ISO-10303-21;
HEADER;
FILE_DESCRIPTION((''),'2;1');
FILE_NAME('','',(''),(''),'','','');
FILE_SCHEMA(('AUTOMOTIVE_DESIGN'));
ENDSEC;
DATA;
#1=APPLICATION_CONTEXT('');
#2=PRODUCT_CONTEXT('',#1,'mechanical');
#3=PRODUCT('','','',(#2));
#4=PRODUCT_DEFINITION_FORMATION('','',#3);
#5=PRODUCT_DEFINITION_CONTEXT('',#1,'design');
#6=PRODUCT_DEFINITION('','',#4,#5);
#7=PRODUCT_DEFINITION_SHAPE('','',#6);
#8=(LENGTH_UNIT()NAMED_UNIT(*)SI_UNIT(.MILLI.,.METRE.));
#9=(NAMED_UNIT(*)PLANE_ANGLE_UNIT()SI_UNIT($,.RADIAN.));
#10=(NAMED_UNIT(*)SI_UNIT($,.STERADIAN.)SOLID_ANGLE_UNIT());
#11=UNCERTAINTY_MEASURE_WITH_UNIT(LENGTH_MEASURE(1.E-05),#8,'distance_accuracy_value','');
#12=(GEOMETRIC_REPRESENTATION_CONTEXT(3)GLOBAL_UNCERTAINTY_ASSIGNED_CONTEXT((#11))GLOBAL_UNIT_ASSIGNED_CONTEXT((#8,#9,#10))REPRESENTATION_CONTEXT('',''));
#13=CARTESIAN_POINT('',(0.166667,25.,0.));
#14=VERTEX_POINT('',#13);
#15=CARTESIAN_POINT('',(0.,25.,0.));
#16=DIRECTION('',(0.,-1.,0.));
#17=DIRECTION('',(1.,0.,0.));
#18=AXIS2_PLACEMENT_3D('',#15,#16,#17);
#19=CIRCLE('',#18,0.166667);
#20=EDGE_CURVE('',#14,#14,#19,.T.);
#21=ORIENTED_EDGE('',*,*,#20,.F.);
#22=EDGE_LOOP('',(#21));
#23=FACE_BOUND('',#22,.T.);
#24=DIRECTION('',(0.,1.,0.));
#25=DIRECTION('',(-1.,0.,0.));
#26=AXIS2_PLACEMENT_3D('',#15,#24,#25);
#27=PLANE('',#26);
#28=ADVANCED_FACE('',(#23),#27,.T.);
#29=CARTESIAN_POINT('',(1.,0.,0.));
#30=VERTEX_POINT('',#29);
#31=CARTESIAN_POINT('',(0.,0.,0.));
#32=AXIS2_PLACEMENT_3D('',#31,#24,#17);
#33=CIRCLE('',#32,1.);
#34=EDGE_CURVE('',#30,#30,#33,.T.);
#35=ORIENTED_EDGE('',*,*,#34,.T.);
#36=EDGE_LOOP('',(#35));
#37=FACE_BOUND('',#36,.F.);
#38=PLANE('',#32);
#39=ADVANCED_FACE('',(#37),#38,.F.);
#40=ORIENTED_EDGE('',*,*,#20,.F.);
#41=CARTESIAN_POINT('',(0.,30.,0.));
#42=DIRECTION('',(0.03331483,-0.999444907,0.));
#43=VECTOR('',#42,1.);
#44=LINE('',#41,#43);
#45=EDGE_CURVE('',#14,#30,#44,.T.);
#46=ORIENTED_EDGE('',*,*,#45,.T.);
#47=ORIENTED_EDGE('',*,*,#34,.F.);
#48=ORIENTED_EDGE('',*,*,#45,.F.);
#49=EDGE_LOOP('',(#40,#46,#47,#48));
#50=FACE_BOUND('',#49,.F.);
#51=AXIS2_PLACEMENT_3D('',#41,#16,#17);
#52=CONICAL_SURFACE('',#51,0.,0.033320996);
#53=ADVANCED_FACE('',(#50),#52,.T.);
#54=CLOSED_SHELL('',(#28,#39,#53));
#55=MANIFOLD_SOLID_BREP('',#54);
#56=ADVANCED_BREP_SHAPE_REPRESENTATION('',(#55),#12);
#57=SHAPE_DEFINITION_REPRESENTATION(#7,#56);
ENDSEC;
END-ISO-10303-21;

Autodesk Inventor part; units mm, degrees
ref_plane "YZ Plane" through (0, 0, 0) normal (1, 0, 0) x (0, 1, 0)
ref_plane "XY Plane" through (0, 0, 0) normal (0, 0, 1) x (1, 0, 0)
sketch "Sketch3" plane through (0, 0, 0) normal (0, 0, 1) x (1, 0, 0)
  line L0 (0, 0) -> (0, 30)
  line L1 (0, 30) -> (1, 0)
  line L2 (1, 0) -> (0, 0)
  dimension "d3" = 30
  dimension "d4" = 1
revolve "Revolution1" add sketch "Sketch3" angle 360 about axis through (0, 0, 0) along (0, 1, 0)
ref_plane "Work Plane1" through (0, 30, 0) normal (0, 1, 0) x (-1, 0, 0)
sketch "Sketch5" plane through (0, 30, 0) normal (0, 1, 0) x (-1, 0, 0)
  circle A0 centre (0, 0) radius 1 projected
  circle A1 centre (0, 0) radius 2.811
extrude "Extrusion3" cut sketch "Sketch5" against normal blind 5 contours A0 | A1
properties part number "LaserBeamEntry2_LOOP2DEF1"
